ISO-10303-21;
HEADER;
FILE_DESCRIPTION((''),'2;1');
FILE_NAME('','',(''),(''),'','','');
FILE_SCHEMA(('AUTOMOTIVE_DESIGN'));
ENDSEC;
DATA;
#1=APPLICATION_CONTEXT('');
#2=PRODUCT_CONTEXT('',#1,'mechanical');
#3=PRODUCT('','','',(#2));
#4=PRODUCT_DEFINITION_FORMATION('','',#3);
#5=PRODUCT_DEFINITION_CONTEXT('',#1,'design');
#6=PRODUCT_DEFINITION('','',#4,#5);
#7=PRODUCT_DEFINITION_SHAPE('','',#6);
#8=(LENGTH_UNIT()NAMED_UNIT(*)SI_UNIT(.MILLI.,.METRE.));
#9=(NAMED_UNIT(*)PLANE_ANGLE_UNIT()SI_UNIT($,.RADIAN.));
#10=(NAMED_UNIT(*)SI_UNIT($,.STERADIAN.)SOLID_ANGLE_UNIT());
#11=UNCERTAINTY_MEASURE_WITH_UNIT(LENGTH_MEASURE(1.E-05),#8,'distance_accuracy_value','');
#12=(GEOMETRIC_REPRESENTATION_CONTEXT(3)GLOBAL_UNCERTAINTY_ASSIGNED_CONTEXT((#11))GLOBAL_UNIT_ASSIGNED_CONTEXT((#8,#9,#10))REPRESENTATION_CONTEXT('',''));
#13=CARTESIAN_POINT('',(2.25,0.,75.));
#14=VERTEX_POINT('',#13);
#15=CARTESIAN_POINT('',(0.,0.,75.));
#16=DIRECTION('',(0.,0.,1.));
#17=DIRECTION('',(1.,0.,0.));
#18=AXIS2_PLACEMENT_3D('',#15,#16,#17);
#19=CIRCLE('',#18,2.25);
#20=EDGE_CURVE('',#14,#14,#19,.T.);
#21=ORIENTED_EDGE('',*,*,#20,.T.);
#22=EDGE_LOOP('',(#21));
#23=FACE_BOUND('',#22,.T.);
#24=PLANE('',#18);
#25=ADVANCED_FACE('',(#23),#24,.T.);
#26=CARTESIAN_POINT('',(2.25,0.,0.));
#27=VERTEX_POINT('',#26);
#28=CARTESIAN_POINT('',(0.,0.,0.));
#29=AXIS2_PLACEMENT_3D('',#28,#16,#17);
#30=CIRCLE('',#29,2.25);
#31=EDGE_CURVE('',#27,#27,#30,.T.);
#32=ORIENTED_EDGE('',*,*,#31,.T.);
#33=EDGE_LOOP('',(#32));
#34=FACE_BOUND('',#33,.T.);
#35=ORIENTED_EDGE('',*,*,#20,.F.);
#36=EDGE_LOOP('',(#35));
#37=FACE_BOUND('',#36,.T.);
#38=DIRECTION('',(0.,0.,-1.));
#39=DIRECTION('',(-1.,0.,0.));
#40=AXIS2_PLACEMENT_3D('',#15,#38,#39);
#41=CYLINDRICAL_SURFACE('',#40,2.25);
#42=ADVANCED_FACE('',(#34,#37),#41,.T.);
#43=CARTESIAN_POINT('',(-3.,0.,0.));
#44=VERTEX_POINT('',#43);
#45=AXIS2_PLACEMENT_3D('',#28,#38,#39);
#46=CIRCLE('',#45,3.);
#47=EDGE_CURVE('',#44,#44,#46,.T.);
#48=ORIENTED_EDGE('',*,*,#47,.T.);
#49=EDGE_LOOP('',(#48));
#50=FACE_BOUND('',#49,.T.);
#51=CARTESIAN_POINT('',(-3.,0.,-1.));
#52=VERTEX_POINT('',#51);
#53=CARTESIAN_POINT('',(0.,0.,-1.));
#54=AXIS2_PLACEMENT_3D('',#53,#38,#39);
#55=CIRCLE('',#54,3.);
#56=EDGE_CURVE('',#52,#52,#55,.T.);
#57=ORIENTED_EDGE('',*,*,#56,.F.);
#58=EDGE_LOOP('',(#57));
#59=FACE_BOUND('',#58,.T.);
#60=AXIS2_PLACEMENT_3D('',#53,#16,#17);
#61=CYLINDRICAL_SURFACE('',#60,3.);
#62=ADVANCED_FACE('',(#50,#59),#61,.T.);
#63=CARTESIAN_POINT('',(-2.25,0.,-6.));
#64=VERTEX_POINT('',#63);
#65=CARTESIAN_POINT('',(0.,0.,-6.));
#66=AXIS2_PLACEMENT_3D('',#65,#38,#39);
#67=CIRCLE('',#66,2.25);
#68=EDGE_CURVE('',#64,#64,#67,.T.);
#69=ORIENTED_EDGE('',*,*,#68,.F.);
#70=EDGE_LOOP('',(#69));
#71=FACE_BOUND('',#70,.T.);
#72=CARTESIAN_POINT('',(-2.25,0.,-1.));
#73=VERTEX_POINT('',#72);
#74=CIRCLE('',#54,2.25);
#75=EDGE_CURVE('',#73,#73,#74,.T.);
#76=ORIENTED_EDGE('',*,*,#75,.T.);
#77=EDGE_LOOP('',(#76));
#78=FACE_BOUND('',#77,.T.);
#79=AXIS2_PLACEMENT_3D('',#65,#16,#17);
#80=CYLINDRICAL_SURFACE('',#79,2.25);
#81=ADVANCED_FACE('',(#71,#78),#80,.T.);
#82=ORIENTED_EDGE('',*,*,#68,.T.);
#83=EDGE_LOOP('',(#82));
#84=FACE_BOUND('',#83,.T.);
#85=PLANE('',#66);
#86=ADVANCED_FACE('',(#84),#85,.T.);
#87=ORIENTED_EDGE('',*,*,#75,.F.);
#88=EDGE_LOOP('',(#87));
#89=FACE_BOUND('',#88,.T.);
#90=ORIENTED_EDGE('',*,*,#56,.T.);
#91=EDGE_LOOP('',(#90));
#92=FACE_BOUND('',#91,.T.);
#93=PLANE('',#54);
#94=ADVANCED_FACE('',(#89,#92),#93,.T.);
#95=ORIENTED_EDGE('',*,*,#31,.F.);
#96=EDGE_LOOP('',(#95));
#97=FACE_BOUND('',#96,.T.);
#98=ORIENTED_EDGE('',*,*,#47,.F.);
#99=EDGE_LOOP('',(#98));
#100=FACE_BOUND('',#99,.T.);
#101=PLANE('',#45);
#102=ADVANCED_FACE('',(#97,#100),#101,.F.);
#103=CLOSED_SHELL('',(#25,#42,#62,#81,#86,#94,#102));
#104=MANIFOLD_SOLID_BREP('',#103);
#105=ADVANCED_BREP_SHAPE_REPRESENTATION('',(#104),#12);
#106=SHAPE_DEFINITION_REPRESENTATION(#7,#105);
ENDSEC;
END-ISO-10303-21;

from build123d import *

# Parameters (mm, degrees)
SKETCH2_R           = 2.25
BOSS_EXTRUDE1_DEPTH = 75
SKETCH3_R           = 3
BOSS_EXTRUDE2_DEPTH = 1
BOSS_EXTRUDE3_START = 5
SKETCH4_R           = 2.25
BOSS_EXTRUDE3_DEPTH = 5


with BuildPart() as part:
    # Sketch2 → Boss-Extrude1 (new body)
    with BuildSketch(Plane.XY):
        Circle(SKETCH2_R)
    extrude(amount=BOSS_EXTRUDE1_DEPTH)

    # Sketch3 → Boss-Extrude2 (add)
    with BuildSketch(Plane(origin=(0, 0, 0), x_dir=(-1, 0, 0), z_dir=(0, 0, -1))):
        Circle(SKETCH3_R)
    extrude(amount=BOSS_EXTRUDE2_DEPTH)

    # Sketch4 → Boss-Extrude3 (add)
    with BuildSketch(Plane(origin=(0, 0, -1), x_dir=(-1, 0, 0), z_dir=(0, 0, -1)).offset(BOSS_EXTRUDE3_START)):
        Circle(SKETCH4_R)
    extrude(amount=-BOSS_EXTRUDE3_DEPTH)


solid = part.part
